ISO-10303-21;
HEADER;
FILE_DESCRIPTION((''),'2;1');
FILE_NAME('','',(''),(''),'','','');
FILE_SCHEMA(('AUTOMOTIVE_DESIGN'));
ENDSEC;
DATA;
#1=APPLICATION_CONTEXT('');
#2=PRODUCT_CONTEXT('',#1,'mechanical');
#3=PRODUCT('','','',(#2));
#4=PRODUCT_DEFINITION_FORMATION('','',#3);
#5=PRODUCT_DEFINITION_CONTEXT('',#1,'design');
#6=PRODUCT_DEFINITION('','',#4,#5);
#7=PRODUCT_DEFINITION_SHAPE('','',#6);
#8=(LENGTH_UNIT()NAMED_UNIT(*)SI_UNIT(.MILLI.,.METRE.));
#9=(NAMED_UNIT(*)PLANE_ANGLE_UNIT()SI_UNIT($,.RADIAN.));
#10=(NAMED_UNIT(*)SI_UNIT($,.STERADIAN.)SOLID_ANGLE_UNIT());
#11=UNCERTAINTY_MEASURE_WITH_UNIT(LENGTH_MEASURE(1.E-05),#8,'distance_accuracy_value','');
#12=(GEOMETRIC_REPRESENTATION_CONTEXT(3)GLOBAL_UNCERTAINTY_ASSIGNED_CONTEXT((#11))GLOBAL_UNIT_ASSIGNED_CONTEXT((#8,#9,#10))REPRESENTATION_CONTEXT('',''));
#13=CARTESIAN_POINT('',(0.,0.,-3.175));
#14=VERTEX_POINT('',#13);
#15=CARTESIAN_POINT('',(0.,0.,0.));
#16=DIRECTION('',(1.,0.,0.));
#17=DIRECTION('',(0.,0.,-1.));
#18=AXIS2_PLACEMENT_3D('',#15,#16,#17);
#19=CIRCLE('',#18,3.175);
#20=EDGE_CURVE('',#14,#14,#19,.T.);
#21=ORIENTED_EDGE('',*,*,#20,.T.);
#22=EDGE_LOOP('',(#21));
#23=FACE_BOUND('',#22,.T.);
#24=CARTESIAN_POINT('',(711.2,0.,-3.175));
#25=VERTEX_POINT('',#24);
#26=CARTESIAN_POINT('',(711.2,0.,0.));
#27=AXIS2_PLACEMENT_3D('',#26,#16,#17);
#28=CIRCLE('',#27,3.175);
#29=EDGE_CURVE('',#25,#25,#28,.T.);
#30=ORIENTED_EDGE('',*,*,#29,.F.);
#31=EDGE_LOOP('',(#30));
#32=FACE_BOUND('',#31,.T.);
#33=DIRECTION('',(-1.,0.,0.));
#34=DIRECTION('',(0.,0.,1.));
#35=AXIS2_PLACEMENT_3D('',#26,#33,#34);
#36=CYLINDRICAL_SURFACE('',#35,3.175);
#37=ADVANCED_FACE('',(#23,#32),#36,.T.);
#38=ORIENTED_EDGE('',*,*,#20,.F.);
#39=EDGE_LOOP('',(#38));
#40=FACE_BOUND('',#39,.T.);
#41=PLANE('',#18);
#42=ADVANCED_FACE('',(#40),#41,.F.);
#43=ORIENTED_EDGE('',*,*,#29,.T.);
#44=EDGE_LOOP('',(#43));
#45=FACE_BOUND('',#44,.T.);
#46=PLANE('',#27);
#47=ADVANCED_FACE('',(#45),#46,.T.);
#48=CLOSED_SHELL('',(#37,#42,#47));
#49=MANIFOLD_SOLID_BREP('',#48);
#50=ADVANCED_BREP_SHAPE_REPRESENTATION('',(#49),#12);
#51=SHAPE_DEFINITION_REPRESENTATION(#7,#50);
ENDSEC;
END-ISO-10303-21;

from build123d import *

# Parameters (mm, degrees)
SKETCH1_R           = 3.175
BOSS_EXTRUDE1_DEPTH = 711.2


with BuildPart() as part:
    # Sketch1 → Boss-Extrude1 (new body)
    with BuildSketch(Plane(origin=(0, 0, 0), x_dir=(0, 0, -1), z_dir=(1, 0, 0))):
        Circle(SKETCH1_R)
    extrude(amount=BOSS_EXTRUDE1_DEPTH)


solid = part.part
